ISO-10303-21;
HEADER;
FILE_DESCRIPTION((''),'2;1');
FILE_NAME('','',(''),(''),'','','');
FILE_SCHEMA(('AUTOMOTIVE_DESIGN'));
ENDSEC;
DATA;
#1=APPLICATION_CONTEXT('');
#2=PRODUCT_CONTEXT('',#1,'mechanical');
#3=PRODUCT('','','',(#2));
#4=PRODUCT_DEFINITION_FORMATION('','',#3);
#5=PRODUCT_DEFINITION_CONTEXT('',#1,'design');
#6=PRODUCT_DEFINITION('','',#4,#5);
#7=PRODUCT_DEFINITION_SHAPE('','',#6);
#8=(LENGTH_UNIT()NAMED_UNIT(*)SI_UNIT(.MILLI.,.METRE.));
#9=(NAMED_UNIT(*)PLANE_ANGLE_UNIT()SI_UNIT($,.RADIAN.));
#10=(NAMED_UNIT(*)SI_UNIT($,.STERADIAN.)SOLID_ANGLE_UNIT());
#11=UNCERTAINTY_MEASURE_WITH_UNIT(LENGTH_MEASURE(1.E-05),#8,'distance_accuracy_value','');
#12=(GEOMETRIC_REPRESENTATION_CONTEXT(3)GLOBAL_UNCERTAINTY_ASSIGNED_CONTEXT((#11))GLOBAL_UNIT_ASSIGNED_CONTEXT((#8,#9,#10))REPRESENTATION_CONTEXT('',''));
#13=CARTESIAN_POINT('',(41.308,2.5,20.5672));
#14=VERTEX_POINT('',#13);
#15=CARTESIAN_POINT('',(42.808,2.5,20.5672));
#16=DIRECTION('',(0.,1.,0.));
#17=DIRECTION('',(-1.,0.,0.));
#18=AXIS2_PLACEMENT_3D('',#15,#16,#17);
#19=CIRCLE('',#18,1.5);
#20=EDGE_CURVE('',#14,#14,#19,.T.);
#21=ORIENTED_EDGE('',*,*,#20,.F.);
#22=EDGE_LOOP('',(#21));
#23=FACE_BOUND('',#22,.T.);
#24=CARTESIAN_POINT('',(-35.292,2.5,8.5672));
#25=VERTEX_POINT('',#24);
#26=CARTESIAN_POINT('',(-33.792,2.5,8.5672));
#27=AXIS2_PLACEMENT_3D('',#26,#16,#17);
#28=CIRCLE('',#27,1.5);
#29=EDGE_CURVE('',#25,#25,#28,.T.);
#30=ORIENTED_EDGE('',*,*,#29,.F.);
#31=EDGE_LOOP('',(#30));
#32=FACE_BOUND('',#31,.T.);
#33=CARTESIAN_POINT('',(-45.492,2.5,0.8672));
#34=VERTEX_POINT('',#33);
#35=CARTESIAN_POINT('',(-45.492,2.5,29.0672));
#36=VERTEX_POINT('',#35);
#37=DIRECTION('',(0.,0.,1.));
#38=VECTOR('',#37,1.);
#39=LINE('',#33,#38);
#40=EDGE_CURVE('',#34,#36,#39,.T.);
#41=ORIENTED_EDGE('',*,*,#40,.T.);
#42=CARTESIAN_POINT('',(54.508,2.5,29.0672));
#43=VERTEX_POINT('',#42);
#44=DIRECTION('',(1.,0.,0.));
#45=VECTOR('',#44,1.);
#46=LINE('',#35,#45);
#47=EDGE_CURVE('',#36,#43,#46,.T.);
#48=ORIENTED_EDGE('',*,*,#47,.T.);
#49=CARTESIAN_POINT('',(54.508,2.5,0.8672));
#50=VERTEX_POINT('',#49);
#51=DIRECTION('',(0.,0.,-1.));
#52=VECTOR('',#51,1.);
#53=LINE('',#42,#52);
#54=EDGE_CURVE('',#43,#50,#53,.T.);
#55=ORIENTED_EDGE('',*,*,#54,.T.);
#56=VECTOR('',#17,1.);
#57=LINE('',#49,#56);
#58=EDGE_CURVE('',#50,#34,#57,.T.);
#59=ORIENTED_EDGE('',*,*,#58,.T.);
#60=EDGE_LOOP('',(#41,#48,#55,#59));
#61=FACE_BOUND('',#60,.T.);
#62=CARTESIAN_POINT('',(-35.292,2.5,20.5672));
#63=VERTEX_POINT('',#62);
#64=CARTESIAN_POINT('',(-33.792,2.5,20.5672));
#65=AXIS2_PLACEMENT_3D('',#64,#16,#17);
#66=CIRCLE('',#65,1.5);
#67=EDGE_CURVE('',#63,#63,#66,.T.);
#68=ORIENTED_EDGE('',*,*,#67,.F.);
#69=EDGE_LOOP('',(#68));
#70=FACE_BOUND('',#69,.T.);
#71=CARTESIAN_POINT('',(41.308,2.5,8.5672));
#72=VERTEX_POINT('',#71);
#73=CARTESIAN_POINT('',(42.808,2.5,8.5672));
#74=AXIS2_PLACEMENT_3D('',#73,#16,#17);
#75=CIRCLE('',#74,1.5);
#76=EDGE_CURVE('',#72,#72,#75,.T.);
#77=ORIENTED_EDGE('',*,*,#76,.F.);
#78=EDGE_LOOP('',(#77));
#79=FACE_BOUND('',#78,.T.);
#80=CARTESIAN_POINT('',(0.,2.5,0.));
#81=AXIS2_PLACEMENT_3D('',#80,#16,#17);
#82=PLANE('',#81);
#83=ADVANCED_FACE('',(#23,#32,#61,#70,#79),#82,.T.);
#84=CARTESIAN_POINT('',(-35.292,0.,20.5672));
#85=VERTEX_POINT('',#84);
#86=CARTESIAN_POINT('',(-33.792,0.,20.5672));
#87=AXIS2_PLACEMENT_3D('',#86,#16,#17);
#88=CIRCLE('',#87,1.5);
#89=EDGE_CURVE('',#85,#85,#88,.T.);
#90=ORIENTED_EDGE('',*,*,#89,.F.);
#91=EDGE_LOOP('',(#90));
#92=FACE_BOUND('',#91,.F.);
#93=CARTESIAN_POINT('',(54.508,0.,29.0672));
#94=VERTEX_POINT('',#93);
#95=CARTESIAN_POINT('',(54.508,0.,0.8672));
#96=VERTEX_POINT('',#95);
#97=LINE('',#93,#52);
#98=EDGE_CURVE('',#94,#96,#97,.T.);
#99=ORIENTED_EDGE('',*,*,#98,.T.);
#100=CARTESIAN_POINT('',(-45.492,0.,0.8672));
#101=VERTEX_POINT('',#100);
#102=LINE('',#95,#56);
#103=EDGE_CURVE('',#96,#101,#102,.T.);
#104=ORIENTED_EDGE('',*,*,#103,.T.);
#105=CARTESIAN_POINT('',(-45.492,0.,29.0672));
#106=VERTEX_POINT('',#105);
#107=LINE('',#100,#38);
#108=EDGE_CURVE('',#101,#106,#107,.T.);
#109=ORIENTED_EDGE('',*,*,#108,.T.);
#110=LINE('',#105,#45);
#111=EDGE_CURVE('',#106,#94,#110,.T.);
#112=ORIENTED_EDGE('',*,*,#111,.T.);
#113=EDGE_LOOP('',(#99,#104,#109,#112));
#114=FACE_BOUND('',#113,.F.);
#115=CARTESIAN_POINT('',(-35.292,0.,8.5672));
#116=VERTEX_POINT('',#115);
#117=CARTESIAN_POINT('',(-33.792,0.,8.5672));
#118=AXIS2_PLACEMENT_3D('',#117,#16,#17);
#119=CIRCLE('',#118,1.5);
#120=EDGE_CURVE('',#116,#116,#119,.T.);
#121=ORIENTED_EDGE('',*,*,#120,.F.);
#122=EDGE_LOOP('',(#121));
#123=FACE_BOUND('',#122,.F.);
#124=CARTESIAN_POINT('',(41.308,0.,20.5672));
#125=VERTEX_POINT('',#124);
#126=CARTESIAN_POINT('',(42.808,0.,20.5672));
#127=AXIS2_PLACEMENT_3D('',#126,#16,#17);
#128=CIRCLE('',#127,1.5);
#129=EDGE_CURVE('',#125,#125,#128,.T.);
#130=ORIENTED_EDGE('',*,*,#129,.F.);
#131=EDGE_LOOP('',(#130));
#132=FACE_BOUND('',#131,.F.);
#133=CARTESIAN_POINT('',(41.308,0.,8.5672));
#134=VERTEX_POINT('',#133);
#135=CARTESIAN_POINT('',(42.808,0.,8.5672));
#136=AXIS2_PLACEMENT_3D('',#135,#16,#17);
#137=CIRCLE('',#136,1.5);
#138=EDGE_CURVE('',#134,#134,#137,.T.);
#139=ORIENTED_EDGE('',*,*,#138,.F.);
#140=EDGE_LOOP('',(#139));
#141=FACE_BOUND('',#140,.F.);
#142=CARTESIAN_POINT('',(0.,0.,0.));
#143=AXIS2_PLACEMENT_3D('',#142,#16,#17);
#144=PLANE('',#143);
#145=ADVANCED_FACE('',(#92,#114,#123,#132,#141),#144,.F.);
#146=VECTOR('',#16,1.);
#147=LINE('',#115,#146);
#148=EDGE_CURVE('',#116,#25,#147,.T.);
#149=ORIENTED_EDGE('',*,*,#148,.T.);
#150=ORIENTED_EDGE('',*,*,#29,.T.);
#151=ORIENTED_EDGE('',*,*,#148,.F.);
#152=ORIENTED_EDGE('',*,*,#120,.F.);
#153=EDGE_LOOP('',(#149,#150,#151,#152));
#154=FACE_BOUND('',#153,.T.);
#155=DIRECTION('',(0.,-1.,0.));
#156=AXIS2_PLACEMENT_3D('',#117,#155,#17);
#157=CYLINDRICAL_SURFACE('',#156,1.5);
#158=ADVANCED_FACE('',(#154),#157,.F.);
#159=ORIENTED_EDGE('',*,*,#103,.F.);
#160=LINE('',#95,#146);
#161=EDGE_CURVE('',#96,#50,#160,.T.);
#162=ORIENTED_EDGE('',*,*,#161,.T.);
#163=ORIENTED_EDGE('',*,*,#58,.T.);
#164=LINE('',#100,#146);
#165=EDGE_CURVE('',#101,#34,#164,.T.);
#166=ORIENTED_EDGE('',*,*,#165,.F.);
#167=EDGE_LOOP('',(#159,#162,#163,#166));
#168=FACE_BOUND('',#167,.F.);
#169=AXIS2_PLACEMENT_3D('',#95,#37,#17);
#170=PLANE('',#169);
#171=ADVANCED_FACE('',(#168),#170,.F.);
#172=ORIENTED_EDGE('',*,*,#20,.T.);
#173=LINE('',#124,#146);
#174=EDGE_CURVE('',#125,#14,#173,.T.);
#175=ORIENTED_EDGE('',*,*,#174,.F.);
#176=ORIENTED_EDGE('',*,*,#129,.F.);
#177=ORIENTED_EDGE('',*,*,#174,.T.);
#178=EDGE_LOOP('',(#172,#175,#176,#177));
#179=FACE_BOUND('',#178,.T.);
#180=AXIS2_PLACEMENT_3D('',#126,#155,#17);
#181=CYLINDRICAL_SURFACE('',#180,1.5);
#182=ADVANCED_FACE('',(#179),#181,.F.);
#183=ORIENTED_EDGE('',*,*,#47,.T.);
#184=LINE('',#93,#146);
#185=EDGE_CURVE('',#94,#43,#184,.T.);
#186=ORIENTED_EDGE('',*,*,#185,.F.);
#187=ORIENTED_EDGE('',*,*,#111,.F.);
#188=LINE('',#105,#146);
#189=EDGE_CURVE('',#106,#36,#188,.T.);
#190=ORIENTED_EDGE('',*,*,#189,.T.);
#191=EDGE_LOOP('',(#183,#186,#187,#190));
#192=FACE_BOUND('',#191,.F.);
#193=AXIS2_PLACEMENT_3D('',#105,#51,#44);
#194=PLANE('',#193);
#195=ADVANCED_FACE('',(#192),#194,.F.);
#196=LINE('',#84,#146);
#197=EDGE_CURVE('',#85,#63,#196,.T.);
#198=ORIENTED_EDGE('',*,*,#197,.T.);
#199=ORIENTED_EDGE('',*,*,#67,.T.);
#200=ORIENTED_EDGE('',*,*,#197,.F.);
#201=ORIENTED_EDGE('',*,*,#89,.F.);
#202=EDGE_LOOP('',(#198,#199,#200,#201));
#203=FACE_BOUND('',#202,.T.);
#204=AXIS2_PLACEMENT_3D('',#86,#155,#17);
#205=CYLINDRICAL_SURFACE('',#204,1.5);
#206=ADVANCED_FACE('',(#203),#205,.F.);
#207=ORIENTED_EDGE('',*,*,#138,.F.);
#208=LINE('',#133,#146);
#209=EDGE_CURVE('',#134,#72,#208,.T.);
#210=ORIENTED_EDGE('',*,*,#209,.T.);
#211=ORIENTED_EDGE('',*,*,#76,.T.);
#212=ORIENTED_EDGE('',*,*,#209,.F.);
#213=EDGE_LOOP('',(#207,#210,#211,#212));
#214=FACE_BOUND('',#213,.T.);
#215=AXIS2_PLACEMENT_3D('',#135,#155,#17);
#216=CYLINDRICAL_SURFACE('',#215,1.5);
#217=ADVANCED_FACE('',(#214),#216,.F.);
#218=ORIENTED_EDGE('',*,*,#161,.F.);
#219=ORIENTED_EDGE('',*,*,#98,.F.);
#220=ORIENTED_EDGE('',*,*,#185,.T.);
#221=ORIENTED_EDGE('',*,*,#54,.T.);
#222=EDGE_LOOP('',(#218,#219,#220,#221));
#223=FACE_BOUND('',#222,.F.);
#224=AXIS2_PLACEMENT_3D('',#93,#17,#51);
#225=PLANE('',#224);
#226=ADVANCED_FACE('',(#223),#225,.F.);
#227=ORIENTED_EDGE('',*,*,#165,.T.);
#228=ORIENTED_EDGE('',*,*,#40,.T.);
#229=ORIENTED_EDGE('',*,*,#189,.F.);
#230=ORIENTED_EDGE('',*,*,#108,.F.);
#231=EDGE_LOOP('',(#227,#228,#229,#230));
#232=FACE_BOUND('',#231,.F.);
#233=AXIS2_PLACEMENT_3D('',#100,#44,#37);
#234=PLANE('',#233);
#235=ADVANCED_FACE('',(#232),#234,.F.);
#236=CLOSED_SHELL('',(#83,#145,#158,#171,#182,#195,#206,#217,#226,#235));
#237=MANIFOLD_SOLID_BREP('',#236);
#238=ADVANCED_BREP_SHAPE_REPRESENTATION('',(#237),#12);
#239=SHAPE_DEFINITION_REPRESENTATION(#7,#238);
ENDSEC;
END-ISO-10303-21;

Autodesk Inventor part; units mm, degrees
ref_plane "YZ Plane" through (0, 0, 0) normal (1, 0, 0) x (0, 1, 0)
ref_plane "XZ Plane" through (0, 0, 0) normal (0, 1, 0) x (-1, 0, 0)
ref_plane "XY Plane" through (0, 0, 0) normal (0, 0, 1) x (1, 0, 0)
sketch "Sketch2" plane through (0, 0, 0) normal (0, 1, 0) x (-1, 0, 0)
  line L0 (-48.208, 12.0672) -> (-48.208, 5.8672) construction
  line L1 (-48.208, 12.0672) -> (43.792, 12.0672) construction
  line L2 (43.792, 12.0672) -> (43.792, 5.8672) construction
  line L3 (37.542, 5.8672) -> (43.792, 5.8672) construction
  line L4 (37.542, 5.8672) -> (37.2414, 5.5672) construction
  line L5 (37.2414, 5.5672) -> (30.3425, 5.5672) construction
  line L6 (30.3425, 5.5672) -> (30.042, 5.8672) construction
  line L7 (-39.058, 5.8672) -> (30.042, 5.8672) construction
  line L8 (-39.058, 5.8672) -> (-39.3586, 5.5672) construction
  line L9 (-39.3586, 5.5672) -> (-46.2575, 5.5672) construction
  line L10 (-46.2575, 5.5672) -> (-46.558, 5.8672) construction
  line L11 (-48.208, 5.8672) -> (-46.558, 5.8672) construction
  circle A0 centre (-42.808, 8.5672) radius 1.25 construction
  circle A1 centre (33.792, 8.5672) radius 1.25 construction
  circle A2 centre (33.792, 8.5672) radius 1.5
  circle A3 centre (-42.808, 8.5672) radius 1.5
  line L12 (45.492, 29.0672) -> (-54.508, 29.0672)
  line L13 (-54.508, 29.0672) -> (-54.508, 0.8672)
  line L14 (-54.508, 0.8672) -> (45.492, 0.8672)
  line L15 (45.492, 0.8672) -> (45.492, 29.0672)
  line L16 (-42.808, 8.5672) -> (33.792, 8.5672) construction
  line L17 (-4.508, 8.5672) -> (-4.508, 29.0672) construction
  line L18 (-48.208, 24.0672) -> (-48.208, 17.8672) construction
  line L19 (-48.208, 24.0672) -> (43.792, 24.0672) construction
  line L20 (43.792, 24.0672) -> (43.792, 17.8672) construction
  line L21 (37.542, 17.8672) -> (43.792, 17.8672) construction
  line L22 (37.542, 17.8672) -> (37.2414, 17.5672) construction
  line L23 (37.2414, 17.5672) -> (30.3425, 17.5672) construction
  line L24 (30.3425, 17.5672) -> (30.042, 17.8672) construction
  line L25 (-39.058, 17.8672) -> (30.042, 17.8672) construction
  line L26 (-39.058, 17.8672) -> (-39.3586, 17.5672) construction
  line L27 (-39.3586, 17.5672) -> (-46.2575, 17.5672) construction
  line L28 (-46.2575, 17.5672) -> (-46.558, 17.8672) construction
  line L29 (-48.208, 17.8672) -> (-46.558, 17.8672) construction
  circle A4 centre (-42.808, 20.5672) radius 1.25 construction
  circle A5 centre (33.792, 20.5672) radius 1.25 construction
  circle A6 centre (33.792, 20.5672) radius 1.5
  circle A7 centre (-42.808, 20.5672) radius 1.5
  point P0 (0, 0)
  dimension "d0" = 3
  dimension "d1" = 3
  dimension "d2" = 76.6
  dimension "d3" = 100
  dimension "d4" = 3
  dimension "d5" = 3
  dimension "d6" = 5
  dimension "d7" = 5
extrude "Extrusion1" add sketch "Sketch2" along normal blind 2.5
equation "\"d1\" = d0"
equation "\"d4\" = d0"
equation "\"d5\" = d4"
equation "\"d7\" = d6"
properties part number "A-05"
